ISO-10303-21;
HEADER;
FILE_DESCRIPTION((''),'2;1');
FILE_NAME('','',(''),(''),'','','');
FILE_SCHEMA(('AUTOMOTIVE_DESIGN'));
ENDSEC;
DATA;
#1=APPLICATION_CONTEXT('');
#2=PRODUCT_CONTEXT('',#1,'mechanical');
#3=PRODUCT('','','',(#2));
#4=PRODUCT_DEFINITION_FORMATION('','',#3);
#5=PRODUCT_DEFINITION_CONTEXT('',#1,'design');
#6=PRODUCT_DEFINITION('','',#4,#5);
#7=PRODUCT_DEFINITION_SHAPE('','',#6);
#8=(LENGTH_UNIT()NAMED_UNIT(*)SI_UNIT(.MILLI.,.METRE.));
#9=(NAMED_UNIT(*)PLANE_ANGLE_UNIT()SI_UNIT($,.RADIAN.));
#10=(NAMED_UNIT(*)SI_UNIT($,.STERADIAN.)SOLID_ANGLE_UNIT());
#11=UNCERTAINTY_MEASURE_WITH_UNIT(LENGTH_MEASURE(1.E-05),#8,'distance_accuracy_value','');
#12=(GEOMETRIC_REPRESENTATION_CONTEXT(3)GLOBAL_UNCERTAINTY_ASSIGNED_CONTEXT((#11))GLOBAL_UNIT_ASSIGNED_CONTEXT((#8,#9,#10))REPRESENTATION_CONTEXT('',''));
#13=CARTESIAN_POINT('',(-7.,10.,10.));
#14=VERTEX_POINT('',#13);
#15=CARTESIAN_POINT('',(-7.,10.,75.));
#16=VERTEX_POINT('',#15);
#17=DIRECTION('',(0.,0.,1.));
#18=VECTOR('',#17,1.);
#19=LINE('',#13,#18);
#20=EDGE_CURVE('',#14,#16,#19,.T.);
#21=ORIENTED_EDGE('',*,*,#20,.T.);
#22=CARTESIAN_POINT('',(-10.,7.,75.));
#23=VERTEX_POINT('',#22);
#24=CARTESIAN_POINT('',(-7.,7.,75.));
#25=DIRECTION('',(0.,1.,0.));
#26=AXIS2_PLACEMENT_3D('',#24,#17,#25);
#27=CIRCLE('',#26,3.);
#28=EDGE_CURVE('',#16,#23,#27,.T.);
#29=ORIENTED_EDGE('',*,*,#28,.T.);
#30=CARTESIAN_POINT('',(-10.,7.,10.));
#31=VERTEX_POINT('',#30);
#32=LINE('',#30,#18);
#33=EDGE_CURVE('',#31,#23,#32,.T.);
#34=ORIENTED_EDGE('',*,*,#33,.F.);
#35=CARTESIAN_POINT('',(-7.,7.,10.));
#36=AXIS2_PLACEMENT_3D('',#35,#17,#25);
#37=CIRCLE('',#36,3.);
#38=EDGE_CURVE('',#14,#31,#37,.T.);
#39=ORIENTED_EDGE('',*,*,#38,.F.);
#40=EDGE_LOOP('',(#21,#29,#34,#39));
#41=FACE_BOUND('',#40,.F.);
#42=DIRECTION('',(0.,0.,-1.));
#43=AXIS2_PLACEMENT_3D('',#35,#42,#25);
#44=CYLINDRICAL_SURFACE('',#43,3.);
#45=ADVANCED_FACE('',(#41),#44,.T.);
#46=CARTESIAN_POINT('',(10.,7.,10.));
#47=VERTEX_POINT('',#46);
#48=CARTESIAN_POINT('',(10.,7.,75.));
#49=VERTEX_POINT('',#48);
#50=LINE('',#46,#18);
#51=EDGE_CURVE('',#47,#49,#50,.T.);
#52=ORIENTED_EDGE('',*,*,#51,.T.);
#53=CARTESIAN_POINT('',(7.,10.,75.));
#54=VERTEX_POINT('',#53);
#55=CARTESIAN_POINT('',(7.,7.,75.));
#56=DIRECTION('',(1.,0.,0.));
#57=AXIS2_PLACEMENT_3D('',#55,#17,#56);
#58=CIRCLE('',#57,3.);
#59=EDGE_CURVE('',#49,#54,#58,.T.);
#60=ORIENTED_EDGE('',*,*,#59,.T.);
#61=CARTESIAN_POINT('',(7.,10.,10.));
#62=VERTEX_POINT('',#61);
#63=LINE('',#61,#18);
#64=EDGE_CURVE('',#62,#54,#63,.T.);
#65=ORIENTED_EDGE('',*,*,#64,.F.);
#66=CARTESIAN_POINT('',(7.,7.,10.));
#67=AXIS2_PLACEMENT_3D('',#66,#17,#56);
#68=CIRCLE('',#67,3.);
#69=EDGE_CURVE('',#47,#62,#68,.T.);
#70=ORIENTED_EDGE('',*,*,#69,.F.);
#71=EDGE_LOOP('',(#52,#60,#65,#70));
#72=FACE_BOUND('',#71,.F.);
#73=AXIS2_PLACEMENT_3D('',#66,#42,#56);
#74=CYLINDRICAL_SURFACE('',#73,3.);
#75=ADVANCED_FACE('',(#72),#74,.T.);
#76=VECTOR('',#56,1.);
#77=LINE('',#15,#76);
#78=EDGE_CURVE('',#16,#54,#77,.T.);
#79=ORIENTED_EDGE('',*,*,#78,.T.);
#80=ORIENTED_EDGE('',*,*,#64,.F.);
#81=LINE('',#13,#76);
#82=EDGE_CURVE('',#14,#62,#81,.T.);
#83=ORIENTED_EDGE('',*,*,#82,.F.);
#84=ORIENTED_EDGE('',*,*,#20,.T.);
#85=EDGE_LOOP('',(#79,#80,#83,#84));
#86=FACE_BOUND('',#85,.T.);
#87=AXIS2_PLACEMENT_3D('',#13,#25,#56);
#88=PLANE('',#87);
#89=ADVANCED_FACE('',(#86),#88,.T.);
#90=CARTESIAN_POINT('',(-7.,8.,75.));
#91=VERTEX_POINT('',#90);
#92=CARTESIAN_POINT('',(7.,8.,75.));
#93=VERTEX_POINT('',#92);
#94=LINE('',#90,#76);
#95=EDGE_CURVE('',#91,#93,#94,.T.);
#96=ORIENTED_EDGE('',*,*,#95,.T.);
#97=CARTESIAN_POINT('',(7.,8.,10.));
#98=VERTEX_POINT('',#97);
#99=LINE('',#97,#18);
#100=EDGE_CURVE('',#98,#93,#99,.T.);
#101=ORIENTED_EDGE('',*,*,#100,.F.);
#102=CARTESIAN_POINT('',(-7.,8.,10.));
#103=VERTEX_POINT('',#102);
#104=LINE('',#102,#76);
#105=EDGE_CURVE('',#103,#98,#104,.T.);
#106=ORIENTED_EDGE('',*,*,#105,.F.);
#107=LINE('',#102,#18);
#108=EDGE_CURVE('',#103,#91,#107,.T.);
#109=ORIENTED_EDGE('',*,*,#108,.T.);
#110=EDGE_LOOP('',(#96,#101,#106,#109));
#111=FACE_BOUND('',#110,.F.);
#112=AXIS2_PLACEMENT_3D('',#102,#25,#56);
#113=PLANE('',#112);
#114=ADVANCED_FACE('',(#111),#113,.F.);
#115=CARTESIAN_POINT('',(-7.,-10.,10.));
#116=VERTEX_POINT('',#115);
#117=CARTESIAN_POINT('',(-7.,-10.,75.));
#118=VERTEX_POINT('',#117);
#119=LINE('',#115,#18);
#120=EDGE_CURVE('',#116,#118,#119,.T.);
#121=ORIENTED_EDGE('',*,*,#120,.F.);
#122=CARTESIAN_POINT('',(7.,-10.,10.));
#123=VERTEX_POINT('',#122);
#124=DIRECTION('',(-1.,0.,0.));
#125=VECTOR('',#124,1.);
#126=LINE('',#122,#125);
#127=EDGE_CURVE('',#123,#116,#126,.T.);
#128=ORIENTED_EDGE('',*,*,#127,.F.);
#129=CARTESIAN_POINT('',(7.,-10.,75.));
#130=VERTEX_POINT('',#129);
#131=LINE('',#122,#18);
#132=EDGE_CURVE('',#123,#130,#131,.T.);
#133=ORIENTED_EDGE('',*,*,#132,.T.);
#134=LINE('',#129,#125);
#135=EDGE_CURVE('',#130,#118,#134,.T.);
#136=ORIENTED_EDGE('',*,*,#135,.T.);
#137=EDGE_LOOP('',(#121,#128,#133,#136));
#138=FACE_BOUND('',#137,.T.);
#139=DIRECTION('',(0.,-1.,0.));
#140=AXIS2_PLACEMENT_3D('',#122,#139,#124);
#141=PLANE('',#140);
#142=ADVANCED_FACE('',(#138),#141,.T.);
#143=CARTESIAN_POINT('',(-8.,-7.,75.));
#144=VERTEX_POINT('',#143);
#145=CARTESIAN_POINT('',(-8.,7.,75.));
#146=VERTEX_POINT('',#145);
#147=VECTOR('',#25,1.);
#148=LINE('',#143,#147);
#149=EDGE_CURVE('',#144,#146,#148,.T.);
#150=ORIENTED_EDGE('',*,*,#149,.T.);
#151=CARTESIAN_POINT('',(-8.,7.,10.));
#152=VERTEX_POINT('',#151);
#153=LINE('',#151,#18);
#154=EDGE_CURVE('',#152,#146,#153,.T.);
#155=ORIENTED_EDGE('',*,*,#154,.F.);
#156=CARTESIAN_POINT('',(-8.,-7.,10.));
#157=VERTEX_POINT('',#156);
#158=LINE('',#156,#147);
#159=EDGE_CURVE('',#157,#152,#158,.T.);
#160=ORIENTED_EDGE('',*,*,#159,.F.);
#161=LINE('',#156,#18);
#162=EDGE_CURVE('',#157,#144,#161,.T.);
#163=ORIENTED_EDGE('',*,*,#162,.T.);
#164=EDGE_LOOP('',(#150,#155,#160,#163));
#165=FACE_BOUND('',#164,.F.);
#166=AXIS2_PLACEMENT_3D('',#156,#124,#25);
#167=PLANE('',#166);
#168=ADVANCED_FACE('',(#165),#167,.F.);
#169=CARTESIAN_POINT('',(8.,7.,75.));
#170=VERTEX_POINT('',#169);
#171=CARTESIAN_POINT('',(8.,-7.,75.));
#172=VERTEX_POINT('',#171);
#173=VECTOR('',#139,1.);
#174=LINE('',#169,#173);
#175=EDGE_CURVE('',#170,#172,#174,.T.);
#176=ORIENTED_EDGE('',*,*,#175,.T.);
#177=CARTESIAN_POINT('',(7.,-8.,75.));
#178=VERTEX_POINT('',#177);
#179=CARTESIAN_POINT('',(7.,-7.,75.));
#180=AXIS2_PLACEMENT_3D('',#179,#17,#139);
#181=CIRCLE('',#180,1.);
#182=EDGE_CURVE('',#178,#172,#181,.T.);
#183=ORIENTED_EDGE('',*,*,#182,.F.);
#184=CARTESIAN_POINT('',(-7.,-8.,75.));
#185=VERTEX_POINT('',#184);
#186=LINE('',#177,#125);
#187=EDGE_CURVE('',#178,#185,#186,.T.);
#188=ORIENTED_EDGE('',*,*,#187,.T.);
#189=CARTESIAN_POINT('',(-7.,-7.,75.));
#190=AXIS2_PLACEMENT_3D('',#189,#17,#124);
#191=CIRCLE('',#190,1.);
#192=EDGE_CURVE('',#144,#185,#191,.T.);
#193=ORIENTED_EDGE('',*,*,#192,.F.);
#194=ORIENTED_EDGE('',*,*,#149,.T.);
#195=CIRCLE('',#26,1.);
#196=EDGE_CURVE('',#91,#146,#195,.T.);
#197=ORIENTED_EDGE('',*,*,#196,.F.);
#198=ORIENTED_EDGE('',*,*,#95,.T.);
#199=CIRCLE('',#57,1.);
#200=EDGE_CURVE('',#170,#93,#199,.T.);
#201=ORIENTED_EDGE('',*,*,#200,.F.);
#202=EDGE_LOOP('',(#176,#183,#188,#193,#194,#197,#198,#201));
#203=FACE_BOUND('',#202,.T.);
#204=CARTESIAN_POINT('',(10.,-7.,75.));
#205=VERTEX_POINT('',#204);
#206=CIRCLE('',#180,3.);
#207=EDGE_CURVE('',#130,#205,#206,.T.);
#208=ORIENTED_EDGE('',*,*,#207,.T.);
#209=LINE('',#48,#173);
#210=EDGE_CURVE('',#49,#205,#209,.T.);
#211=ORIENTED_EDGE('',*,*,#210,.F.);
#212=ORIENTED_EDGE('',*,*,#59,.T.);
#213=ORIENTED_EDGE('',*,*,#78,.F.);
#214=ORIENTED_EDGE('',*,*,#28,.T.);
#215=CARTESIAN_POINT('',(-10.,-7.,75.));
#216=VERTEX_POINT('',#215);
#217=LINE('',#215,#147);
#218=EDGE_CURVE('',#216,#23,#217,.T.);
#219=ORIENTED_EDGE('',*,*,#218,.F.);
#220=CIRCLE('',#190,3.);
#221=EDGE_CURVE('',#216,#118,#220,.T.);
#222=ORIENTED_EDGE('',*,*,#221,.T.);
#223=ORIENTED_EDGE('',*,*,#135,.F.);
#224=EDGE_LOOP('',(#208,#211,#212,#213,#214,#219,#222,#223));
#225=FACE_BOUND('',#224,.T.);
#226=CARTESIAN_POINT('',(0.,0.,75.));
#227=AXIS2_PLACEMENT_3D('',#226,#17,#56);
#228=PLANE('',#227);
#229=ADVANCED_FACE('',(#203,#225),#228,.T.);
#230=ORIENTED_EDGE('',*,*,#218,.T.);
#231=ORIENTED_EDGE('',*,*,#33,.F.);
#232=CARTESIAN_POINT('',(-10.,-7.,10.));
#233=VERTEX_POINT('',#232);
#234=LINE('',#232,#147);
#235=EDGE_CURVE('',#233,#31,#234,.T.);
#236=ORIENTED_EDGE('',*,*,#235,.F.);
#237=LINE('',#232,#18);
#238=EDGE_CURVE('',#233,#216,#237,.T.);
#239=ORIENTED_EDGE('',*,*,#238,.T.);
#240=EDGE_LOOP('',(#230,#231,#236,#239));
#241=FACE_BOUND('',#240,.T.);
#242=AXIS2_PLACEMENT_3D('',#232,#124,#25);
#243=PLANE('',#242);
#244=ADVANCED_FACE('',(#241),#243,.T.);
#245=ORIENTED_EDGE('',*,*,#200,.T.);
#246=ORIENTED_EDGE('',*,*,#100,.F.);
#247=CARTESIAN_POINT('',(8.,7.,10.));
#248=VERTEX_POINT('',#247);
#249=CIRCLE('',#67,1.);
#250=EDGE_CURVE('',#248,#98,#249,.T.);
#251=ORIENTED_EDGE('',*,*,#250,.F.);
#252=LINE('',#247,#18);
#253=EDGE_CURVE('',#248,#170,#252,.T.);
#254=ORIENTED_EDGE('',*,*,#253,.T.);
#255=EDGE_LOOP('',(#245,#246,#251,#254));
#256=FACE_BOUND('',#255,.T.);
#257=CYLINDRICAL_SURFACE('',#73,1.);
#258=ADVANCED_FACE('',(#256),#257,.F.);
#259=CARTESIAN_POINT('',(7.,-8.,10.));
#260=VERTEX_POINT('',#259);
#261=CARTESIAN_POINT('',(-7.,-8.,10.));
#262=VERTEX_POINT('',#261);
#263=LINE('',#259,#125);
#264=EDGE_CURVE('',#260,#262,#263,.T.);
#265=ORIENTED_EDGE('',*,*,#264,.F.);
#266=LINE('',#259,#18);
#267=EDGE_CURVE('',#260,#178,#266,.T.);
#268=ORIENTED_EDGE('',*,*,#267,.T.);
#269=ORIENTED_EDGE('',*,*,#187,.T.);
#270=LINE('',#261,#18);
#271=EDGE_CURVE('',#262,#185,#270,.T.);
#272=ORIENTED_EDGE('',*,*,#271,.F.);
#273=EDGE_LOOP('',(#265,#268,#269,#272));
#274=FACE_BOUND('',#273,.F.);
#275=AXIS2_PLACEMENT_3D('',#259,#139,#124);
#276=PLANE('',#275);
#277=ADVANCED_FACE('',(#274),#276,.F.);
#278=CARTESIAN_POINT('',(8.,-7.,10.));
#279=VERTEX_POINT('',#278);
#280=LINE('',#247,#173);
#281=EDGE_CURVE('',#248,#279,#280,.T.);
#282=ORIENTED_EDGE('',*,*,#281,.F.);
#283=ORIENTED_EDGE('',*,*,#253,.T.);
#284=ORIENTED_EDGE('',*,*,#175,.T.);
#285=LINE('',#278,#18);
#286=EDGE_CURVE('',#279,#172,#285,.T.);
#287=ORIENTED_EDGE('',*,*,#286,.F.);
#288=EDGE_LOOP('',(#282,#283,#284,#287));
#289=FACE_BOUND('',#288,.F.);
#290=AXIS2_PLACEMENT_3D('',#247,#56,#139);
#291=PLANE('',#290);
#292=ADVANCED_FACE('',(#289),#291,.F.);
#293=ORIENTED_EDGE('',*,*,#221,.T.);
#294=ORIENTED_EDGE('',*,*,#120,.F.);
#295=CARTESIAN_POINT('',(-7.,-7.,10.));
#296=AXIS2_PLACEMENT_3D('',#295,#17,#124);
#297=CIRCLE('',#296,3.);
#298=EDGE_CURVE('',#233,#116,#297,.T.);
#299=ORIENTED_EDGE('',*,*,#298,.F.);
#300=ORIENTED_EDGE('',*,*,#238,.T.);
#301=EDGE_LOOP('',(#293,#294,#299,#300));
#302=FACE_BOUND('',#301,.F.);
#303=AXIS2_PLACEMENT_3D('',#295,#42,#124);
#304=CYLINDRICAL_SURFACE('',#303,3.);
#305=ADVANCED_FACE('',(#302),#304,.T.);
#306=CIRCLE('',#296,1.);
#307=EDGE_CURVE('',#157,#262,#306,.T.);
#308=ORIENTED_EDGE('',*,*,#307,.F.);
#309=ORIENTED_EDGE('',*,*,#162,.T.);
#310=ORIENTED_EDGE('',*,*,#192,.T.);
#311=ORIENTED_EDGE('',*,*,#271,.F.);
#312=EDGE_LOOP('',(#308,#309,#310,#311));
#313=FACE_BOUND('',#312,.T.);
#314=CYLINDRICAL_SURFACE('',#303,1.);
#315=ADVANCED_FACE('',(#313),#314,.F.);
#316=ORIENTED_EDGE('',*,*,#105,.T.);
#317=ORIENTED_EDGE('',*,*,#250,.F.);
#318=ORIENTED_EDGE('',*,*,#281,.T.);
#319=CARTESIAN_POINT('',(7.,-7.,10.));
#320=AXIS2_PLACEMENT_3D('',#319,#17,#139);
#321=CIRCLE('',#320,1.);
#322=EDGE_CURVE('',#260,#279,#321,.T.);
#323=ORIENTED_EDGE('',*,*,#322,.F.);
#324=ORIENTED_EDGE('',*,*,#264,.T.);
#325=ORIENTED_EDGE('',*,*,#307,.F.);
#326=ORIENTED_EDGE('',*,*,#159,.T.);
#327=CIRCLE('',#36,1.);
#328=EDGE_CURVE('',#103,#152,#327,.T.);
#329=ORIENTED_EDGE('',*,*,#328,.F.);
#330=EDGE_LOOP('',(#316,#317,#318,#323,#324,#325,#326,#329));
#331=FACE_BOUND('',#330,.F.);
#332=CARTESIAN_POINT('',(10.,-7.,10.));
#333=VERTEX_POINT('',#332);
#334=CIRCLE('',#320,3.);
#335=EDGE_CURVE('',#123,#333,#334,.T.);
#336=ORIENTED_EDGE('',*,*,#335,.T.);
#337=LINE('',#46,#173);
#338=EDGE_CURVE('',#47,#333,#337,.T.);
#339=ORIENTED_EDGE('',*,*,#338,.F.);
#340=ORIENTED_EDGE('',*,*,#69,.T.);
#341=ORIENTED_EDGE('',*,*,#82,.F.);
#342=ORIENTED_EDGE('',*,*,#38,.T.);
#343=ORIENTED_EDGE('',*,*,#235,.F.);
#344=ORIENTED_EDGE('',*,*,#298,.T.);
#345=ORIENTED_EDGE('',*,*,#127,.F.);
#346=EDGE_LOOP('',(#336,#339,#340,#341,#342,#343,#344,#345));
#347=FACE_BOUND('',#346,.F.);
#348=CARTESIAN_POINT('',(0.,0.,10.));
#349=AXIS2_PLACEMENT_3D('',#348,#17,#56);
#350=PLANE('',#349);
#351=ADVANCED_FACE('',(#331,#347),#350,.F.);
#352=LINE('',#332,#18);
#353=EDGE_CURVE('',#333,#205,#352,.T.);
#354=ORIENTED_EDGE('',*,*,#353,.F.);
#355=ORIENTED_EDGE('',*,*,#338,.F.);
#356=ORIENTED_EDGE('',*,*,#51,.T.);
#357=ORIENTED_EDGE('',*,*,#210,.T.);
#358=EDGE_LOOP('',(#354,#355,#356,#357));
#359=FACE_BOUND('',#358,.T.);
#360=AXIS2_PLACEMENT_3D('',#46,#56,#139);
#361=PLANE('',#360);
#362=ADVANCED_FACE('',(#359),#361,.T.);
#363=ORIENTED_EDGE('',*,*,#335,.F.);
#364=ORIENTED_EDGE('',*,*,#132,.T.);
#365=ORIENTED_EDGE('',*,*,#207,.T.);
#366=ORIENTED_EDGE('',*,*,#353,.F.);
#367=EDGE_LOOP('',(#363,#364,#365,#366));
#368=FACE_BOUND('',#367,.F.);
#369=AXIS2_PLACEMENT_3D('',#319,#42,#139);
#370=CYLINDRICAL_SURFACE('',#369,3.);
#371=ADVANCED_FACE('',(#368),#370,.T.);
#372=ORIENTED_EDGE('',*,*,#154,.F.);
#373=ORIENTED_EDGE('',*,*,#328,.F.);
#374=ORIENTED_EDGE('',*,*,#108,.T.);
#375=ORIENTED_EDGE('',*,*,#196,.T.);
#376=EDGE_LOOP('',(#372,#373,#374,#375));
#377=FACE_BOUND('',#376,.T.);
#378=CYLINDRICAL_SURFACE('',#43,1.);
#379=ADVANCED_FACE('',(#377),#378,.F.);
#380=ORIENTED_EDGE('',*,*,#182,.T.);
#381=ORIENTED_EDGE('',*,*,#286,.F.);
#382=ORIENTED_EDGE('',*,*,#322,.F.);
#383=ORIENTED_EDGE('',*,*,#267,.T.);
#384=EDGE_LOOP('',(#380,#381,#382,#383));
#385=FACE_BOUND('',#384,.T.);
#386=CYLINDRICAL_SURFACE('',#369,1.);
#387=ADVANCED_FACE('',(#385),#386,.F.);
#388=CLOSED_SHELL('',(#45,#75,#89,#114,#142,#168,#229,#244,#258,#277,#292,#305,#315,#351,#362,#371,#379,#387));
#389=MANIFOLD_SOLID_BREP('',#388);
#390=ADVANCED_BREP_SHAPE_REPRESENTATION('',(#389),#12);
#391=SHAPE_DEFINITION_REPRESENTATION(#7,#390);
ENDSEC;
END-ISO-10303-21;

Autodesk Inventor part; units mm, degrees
ref_plane "Start Plane" through (0, 0, 10) normal (0, 0, 1) x (1, 0, 0)
ref_plane "End Plane" through (0, 0, 75) normal (0, 0, 1) x (1, 0, 0)
sketch "Sketch" plane through (0, 0, 0) normal (0, 0, 1) x (1, 0, 0)
  line L0 (-10, -7) -> (-10, 7)
  line L1 (-7, 10) -> (7, 10)
  line L2 (10, 7) -> (10, -7)
  line L3 (7, -10) -> (-7, -10)
  arc A0 (-10, -7) -> (-7, -10) centre (-7, -7) ccw
  arc A1 (-7, 10) -> (-10, 7) centre (-7, 7) ccw
  arc A2 (10, 7) -> (7, 10) centre (7, 7) ccw
  arc A3 (7, -10) -> (10, -7) centre (7, -7) ccw
  arc A4 (-7, 8) -> (-8, 7) centre (-7, 7) ccw
  line L4 (-7, 8) -> (7, 8)
  arc A5 (8, 7) -> (7, 8) centre (7, 7) ccw
  line L5 (8, 7) -> (8, -7)
  arc A6 (7, -8) -> (8, -7) centre (7, -7) ccw
  line L6 (7, -8) -> (-7, -8)
  arc A7 (-8, -7) -> (-7, -8) centre (-7, -7) ccw
  line L7 (-8, -7) -> (-8, 7)
  line L8 (0, 14.8698) -> (0, -14.8698) construction
  line L9 (-14.8698, 0) -> (14.8698, 0) construction
  dimension "d7" = 3
  dimension "d10" = 20
  dimension "d11" = 20
  dimension "d12" = 2
  dimension "d15" = 10
  dimension "d16" = 10
extrude "Body" add sketch "Sketch" along normal up to surface (65 mm away) from surface at 10
sketch "Sketch3" plane through (0, 0, 0) normal (0, 0, 1) x (1, 0, 0)
  line L0 (0, 0) -> (10, 0)
ref_plane "Work Plane3" through (0, 0, 0) normal (0, -1, 0) x (1, 0, 0)
sketch "Sketch4" plane through (0, 0, 0) normal (0, -1, 0) x (1, 0, 0)
  line L0 (-2, 10) -> (12, 10)
  line L1 (-2, 75) -> (12, 75)
  dimension "d18" = 65
ref_plane "Work Plane4" through (7, -120, 10) normal (0, 0, -1) x (-1, 0, 0)
split "Split1" plane through (7, -120, 10) removes the side toward (0, 0, -1)
equation "\"d7\" = G_IR"
equation "\"d10\" = G_H"
equation "\"d11\" = G_W"
equation "\"d12\" = G_T"
equation "\"d15\" = 0.5 * d10"
equation "\"d16\" = 0.5 * d11"
equation "\"d3\" = G_L"
equation "\"G_W\" = 20"
equation "\"G_H\" = 20"
equation "\"G_T\" = 2"
equation "\"G_IR\" = 3"
equation "\"G_L\" = d18"
equation "\"G_OFFSET_END\" = 0"
equation "\"d14\" = G_OFFSET_END + B_L"
equation "\"B_L\" = 75"
properties part number "ISO 12633-2 - 20x20x2 - 65" material "Steel, Mild"
